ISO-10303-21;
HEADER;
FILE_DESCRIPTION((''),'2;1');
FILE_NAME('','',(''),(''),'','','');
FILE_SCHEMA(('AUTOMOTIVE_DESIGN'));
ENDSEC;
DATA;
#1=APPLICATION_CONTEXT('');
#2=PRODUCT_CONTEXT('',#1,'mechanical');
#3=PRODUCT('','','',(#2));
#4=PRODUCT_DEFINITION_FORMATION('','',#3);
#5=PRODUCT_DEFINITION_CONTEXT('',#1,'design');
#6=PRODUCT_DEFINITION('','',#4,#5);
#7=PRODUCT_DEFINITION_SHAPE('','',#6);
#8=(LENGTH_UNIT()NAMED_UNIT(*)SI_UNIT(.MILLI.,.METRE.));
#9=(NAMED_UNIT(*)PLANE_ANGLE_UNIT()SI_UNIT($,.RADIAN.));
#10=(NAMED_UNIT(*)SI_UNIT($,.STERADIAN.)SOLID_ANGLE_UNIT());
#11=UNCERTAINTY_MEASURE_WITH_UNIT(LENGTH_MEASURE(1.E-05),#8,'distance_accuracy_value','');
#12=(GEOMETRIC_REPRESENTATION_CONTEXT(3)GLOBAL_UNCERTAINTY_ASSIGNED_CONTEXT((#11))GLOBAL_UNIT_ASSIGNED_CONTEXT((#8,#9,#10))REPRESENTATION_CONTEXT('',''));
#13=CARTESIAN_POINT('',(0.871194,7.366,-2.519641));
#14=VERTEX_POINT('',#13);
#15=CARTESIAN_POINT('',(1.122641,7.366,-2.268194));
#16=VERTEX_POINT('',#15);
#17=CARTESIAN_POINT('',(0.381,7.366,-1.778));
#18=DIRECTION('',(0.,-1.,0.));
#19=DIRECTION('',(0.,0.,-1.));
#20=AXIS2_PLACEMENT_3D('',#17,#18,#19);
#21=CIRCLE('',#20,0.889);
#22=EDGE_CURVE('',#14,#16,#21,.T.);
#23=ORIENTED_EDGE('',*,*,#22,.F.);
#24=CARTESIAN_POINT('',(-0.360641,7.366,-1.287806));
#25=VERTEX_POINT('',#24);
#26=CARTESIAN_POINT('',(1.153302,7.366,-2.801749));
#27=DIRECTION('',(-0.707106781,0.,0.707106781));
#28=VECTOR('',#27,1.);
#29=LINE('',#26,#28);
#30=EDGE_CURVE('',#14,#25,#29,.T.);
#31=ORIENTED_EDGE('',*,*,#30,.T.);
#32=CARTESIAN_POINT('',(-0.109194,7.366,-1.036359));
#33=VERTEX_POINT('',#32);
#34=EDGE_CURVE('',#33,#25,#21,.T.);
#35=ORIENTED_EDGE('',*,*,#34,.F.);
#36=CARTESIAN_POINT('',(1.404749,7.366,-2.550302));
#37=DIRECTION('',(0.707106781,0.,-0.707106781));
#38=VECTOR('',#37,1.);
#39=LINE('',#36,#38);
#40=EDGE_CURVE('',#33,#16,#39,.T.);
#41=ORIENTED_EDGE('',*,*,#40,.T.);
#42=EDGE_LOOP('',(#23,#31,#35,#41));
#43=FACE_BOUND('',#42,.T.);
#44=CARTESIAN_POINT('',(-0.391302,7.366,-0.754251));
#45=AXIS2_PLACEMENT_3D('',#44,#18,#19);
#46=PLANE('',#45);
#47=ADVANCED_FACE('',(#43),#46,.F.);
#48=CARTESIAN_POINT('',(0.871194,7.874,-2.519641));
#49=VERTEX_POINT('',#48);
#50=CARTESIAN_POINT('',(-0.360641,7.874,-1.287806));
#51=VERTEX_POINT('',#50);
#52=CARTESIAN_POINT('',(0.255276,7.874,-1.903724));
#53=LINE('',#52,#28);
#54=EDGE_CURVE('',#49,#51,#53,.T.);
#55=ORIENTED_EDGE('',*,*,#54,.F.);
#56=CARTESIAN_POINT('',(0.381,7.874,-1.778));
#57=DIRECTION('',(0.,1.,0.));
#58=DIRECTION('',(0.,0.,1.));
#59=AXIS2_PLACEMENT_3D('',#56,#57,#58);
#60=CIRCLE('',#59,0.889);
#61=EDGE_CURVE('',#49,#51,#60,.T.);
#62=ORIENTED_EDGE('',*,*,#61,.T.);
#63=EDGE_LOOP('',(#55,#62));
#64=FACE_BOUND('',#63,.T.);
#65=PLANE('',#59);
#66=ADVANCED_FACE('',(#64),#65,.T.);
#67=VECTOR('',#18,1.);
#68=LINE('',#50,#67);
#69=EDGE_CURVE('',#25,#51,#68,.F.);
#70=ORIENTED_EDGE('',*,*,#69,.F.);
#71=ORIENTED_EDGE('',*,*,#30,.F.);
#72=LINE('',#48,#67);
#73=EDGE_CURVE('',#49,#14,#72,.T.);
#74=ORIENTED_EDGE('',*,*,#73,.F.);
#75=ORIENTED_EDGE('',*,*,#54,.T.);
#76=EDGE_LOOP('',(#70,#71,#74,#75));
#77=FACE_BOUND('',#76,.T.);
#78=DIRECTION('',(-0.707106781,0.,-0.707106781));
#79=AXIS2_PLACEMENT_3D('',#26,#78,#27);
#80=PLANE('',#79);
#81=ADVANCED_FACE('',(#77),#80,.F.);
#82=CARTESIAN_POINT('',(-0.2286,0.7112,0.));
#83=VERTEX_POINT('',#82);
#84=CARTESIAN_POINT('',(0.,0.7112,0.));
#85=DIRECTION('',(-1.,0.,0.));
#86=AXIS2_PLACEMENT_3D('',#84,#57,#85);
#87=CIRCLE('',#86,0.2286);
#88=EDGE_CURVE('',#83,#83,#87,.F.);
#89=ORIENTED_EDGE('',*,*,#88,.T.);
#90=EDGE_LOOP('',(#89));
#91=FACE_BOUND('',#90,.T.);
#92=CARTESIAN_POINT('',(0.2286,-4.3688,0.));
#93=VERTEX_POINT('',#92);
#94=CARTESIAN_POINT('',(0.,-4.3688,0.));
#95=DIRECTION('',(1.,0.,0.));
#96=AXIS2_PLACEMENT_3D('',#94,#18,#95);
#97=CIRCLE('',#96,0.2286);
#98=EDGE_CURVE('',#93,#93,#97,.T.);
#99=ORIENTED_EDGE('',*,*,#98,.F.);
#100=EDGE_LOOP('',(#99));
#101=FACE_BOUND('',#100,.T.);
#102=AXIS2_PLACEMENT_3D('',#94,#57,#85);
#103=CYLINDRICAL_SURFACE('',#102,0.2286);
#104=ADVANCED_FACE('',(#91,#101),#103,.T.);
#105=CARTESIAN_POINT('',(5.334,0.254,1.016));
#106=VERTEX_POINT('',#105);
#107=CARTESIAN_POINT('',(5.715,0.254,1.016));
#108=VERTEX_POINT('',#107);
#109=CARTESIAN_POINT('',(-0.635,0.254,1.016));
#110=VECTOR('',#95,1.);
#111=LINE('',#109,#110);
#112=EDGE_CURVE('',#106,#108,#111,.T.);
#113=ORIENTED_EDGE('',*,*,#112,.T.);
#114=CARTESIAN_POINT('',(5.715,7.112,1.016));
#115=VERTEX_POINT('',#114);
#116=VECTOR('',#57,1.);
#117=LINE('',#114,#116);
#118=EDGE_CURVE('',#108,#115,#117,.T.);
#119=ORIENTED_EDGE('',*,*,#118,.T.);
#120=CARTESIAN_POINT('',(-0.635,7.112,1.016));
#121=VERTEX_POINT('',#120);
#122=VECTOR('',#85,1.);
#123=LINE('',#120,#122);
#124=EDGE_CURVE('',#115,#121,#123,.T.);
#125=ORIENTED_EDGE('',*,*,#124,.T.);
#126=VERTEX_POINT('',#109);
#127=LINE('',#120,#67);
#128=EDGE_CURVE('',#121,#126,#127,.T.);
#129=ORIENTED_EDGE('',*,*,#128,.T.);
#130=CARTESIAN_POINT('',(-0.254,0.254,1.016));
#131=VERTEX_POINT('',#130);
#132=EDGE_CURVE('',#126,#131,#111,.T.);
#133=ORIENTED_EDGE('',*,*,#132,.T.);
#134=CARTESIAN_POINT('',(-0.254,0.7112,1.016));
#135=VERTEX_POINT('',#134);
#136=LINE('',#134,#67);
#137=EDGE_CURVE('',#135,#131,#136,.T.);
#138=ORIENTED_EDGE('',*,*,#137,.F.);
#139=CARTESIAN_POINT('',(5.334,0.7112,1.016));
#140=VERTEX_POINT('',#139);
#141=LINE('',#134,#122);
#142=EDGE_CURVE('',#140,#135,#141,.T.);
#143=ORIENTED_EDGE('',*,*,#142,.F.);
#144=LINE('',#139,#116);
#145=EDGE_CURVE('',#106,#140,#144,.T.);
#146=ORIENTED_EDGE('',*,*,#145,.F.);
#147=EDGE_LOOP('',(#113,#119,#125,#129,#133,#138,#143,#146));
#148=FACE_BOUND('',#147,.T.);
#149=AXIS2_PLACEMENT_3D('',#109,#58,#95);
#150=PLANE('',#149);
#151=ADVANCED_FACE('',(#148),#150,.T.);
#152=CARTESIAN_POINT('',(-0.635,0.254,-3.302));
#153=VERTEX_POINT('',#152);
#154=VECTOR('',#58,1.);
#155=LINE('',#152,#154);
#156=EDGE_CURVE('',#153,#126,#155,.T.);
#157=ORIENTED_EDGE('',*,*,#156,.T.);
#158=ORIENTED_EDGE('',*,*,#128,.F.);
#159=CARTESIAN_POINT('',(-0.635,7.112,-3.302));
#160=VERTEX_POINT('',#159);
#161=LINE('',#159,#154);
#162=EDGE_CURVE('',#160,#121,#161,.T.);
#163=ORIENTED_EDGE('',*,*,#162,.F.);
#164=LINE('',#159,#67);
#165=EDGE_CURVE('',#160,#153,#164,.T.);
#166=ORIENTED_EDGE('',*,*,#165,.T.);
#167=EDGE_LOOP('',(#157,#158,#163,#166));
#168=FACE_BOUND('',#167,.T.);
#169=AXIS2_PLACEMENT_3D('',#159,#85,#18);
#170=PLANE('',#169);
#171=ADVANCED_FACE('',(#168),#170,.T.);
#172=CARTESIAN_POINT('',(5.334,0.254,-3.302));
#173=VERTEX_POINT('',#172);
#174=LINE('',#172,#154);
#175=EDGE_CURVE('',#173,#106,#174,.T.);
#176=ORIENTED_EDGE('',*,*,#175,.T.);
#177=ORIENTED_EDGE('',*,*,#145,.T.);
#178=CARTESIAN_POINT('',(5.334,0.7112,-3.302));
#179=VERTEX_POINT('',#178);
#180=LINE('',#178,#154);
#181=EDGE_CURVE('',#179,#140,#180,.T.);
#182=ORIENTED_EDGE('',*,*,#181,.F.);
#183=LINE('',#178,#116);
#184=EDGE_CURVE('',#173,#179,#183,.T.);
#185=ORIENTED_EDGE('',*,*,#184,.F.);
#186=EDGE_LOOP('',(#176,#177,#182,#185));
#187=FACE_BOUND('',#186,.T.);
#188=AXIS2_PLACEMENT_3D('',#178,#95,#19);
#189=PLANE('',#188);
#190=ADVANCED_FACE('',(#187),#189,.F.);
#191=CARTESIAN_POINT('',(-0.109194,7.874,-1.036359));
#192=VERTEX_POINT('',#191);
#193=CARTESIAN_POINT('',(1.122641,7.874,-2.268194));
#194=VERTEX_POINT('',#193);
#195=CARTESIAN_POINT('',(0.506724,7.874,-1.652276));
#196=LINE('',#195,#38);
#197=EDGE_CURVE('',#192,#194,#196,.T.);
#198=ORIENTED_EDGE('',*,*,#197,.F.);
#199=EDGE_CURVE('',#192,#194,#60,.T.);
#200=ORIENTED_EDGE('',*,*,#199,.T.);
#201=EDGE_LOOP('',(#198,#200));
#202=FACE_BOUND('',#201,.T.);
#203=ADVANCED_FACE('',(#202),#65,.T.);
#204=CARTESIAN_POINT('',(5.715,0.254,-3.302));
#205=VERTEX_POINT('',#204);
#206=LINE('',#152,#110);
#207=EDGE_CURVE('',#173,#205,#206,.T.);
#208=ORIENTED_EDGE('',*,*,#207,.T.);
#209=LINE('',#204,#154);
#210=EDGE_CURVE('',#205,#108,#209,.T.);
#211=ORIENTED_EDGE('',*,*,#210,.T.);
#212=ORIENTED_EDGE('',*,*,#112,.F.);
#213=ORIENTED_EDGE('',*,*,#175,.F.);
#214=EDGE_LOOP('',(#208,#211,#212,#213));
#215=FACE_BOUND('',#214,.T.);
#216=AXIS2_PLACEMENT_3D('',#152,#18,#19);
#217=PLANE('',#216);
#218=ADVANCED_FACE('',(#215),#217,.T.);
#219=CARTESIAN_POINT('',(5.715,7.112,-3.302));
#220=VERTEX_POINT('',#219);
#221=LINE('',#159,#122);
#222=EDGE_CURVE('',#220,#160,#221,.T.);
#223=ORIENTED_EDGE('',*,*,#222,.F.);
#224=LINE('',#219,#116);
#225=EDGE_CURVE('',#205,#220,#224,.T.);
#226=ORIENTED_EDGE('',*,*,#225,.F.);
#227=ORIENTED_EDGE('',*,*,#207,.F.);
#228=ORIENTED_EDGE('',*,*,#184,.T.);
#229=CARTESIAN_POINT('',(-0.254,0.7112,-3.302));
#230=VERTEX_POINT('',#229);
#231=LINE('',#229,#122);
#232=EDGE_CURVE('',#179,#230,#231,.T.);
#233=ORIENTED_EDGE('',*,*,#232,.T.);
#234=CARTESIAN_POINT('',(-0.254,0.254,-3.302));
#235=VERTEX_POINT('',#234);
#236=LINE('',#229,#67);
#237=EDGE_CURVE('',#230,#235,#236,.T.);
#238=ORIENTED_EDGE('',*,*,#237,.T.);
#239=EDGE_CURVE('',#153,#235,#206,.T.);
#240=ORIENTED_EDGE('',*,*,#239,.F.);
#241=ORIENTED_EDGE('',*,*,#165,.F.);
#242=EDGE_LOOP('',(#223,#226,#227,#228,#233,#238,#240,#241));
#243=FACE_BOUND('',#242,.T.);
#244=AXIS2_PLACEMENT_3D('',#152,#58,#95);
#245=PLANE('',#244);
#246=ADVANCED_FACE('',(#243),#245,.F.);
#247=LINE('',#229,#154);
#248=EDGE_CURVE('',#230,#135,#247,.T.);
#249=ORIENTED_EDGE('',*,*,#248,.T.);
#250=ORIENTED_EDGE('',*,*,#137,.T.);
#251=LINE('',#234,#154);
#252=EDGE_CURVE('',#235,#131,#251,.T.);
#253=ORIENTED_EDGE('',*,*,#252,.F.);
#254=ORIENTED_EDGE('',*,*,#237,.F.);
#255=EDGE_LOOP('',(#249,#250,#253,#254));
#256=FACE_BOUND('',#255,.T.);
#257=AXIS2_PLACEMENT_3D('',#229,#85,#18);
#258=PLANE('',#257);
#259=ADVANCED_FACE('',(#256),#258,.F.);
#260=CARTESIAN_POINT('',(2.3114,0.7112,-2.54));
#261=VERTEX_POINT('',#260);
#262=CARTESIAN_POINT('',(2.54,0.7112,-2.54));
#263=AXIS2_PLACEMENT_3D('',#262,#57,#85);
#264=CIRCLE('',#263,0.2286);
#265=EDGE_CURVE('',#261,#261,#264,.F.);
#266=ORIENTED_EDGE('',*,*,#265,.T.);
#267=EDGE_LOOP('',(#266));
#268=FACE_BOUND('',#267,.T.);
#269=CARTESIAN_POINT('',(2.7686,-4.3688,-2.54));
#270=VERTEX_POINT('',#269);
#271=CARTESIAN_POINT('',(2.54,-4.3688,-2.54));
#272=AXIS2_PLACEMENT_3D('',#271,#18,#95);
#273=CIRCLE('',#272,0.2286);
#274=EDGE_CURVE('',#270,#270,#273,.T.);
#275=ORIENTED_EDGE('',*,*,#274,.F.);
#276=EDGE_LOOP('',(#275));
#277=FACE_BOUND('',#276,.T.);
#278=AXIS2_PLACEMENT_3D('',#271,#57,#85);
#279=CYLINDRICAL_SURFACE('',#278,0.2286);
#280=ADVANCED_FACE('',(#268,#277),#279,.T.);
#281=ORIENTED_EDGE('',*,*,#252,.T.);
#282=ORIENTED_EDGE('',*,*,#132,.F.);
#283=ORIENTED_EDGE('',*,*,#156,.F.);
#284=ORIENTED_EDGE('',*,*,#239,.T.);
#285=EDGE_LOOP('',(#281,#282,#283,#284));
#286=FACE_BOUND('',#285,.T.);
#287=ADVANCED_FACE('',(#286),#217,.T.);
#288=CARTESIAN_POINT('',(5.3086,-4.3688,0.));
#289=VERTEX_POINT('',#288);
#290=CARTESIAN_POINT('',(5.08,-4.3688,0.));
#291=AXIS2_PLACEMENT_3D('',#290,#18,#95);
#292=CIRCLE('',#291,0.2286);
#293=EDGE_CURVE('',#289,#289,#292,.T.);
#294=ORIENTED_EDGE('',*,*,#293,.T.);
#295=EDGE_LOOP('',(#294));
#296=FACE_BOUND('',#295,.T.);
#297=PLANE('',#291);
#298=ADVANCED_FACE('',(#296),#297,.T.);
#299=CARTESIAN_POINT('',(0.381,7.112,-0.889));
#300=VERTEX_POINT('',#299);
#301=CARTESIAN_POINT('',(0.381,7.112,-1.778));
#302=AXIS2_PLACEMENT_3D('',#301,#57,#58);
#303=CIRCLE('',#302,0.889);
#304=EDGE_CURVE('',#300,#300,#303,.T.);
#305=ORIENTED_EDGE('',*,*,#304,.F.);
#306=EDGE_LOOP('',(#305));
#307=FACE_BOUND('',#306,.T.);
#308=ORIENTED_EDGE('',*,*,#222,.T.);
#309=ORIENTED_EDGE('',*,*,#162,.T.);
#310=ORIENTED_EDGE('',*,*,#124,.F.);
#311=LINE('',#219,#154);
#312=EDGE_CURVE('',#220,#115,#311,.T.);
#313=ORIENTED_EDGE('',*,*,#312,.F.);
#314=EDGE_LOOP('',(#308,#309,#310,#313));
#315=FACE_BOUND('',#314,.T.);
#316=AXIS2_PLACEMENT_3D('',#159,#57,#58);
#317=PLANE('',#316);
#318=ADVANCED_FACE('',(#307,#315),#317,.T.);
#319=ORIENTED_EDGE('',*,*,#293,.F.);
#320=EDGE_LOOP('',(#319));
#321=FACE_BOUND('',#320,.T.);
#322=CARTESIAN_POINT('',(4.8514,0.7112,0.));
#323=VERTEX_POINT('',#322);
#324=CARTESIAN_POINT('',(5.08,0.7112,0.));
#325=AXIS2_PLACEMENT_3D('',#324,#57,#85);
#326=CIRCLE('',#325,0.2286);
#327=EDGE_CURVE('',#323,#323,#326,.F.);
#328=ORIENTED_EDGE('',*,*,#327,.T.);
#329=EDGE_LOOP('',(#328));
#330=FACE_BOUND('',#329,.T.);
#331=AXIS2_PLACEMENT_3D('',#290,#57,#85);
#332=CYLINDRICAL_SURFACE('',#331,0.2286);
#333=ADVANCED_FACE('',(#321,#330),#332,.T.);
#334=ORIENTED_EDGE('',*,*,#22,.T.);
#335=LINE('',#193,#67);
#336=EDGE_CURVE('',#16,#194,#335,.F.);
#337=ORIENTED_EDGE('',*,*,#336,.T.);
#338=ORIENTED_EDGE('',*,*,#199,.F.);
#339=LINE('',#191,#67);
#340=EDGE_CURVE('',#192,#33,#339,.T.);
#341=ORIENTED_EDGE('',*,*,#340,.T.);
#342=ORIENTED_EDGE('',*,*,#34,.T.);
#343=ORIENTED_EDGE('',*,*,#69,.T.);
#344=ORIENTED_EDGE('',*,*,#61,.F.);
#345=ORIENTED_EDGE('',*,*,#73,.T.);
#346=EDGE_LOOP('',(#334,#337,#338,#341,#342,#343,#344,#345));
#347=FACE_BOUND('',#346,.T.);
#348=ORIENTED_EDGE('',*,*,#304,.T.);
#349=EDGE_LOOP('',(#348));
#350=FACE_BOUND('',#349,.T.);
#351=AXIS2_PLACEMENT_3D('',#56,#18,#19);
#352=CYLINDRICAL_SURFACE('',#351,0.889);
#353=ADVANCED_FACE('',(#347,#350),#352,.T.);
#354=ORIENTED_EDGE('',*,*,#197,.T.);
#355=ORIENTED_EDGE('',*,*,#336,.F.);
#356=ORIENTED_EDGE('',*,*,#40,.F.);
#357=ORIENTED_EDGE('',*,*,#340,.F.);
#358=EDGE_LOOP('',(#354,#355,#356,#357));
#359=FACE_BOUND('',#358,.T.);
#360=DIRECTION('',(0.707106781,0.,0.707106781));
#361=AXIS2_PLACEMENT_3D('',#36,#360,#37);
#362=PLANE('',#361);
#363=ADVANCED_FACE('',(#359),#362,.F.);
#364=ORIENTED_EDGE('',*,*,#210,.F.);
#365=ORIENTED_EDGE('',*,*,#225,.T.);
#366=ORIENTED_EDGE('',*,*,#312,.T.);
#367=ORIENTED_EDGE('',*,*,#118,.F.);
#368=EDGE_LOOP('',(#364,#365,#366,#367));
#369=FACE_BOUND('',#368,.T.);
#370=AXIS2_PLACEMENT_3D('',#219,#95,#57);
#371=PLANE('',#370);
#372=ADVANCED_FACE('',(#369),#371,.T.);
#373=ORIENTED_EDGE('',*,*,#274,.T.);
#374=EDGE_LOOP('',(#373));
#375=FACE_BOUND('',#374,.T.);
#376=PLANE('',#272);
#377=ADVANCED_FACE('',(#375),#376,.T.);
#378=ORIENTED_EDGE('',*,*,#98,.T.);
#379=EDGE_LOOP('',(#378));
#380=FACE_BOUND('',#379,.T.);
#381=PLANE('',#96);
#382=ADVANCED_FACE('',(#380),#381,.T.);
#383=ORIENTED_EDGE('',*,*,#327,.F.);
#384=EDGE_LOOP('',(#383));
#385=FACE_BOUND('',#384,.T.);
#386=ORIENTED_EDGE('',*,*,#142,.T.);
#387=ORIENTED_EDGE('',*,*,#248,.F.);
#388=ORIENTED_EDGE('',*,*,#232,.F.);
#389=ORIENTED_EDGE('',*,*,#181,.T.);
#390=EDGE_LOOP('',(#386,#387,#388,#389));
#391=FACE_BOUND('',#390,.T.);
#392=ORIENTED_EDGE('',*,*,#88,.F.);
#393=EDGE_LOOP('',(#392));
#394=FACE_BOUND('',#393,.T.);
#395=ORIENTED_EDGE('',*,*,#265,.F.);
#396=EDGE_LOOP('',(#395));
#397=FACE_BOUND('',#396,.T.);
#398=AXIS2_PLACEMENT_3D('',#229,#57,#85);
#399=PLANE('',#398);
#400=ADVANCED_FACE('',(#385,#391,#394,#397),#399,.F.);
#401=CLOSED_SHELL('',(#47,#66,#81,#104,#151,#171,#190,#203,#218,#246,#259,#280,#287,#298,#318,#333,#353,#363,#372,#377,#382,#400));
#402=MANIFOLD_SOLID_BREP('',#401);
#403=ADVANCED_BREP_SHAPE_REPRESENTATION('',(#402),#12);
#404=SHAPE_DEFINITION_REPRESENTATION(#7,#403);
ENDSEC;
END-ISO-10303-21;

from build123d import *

# Parameters (mm, degrees)
SKETCH3_W               = 6.35
SKETCH3_H               = 6.858
BASE_EXTRUDE_DEPTH      = 1.016
BASE_EXTRUDE_DEPTH_BACK = 3.302
SKETCH4_W               = 5.588
SKETCH4_H               = 0.4572
CUT_EXTRUDE1_DEPTH      = 5.318
SKETCH5_R               = 0.889
BOSS_EXTRUDE1_DEPTH     = 0.762
CUT_EXTRUDE2_DEPTH      = 0.508
SKETCH7_R               = 0.2286
BOSS_EXTRUDE2_DEPTH     = 5.08


with BuildPart() as part:
    # Sketch3 → Base-Extrude (new body, two sides)
    with BuildSketch(Plane.XY) as base_extrude_sk:
        with Locations((2.54, 3.683)):
            Rectangle(SKETCH3_W, SKETCH3_H)
    extrude(amount=BASE_EXTRUDE_DEPTH)
    extrude(base_extrude_sk.sketch, amount=-BASE_EXTRUDE_DEPTH_BACK)

    # Sketch4 → Cut-Extrude1 (cut, through all)
    with BuildSketch(Plane.XY.offset(1.016)):
        with Locations((2.54, 0.4826)):
            Rectangle(SKETCH4_W, SKETCH4_H)
    extrude(amount=-CUT_EXTRUDE1_DEPTH, mode=Mode.SUBTRACT)

    # Sketch5 → Boss-Extrude1 (add)
    with BuildSketch(Plane(origin=(0, 7.112, 0), x_dir=(-1, 0, 0), z_dir=(0, 1, 0))):
        with Locations((-0.381, -1.778)):
            Circle(SKETCH5_R)
    extrude(amount=BOSS_EXTRUDE1_DEPTH)

    # Sketch6 → Cut-Extrude2 (cut)
    with BuildSketch(Plane(origin=(0, 7.874, 0), x_dir=(-1, 0, 0), z_dir=(0, 1, 0))):
        Polygon((-1.153302026, -2.801749198), (0.642749198, -1.005697974), (0.391302026, -0.754250802), (-1.404749198, -2.550302026), align=None)
    extrude(amount=-CUT_EXTRUDE2_DEPTH, mode=Mode.SUBTRACT)

    # Sketch7 → Boss-Extrude2 (add)
    with BuildSketch(Plane.XZ.offset(-0.7112)):
        Circle(SKETCH7_R)
        with Locations((5.08, 0)):
            Circle(SKETCH7_R)
        with Locations((2.54, -2.54)):
            Circle(SKETCH7_R)
    extrude(amount=BOSS_EXTRUDE2_DEPTH)


solid = part.part
